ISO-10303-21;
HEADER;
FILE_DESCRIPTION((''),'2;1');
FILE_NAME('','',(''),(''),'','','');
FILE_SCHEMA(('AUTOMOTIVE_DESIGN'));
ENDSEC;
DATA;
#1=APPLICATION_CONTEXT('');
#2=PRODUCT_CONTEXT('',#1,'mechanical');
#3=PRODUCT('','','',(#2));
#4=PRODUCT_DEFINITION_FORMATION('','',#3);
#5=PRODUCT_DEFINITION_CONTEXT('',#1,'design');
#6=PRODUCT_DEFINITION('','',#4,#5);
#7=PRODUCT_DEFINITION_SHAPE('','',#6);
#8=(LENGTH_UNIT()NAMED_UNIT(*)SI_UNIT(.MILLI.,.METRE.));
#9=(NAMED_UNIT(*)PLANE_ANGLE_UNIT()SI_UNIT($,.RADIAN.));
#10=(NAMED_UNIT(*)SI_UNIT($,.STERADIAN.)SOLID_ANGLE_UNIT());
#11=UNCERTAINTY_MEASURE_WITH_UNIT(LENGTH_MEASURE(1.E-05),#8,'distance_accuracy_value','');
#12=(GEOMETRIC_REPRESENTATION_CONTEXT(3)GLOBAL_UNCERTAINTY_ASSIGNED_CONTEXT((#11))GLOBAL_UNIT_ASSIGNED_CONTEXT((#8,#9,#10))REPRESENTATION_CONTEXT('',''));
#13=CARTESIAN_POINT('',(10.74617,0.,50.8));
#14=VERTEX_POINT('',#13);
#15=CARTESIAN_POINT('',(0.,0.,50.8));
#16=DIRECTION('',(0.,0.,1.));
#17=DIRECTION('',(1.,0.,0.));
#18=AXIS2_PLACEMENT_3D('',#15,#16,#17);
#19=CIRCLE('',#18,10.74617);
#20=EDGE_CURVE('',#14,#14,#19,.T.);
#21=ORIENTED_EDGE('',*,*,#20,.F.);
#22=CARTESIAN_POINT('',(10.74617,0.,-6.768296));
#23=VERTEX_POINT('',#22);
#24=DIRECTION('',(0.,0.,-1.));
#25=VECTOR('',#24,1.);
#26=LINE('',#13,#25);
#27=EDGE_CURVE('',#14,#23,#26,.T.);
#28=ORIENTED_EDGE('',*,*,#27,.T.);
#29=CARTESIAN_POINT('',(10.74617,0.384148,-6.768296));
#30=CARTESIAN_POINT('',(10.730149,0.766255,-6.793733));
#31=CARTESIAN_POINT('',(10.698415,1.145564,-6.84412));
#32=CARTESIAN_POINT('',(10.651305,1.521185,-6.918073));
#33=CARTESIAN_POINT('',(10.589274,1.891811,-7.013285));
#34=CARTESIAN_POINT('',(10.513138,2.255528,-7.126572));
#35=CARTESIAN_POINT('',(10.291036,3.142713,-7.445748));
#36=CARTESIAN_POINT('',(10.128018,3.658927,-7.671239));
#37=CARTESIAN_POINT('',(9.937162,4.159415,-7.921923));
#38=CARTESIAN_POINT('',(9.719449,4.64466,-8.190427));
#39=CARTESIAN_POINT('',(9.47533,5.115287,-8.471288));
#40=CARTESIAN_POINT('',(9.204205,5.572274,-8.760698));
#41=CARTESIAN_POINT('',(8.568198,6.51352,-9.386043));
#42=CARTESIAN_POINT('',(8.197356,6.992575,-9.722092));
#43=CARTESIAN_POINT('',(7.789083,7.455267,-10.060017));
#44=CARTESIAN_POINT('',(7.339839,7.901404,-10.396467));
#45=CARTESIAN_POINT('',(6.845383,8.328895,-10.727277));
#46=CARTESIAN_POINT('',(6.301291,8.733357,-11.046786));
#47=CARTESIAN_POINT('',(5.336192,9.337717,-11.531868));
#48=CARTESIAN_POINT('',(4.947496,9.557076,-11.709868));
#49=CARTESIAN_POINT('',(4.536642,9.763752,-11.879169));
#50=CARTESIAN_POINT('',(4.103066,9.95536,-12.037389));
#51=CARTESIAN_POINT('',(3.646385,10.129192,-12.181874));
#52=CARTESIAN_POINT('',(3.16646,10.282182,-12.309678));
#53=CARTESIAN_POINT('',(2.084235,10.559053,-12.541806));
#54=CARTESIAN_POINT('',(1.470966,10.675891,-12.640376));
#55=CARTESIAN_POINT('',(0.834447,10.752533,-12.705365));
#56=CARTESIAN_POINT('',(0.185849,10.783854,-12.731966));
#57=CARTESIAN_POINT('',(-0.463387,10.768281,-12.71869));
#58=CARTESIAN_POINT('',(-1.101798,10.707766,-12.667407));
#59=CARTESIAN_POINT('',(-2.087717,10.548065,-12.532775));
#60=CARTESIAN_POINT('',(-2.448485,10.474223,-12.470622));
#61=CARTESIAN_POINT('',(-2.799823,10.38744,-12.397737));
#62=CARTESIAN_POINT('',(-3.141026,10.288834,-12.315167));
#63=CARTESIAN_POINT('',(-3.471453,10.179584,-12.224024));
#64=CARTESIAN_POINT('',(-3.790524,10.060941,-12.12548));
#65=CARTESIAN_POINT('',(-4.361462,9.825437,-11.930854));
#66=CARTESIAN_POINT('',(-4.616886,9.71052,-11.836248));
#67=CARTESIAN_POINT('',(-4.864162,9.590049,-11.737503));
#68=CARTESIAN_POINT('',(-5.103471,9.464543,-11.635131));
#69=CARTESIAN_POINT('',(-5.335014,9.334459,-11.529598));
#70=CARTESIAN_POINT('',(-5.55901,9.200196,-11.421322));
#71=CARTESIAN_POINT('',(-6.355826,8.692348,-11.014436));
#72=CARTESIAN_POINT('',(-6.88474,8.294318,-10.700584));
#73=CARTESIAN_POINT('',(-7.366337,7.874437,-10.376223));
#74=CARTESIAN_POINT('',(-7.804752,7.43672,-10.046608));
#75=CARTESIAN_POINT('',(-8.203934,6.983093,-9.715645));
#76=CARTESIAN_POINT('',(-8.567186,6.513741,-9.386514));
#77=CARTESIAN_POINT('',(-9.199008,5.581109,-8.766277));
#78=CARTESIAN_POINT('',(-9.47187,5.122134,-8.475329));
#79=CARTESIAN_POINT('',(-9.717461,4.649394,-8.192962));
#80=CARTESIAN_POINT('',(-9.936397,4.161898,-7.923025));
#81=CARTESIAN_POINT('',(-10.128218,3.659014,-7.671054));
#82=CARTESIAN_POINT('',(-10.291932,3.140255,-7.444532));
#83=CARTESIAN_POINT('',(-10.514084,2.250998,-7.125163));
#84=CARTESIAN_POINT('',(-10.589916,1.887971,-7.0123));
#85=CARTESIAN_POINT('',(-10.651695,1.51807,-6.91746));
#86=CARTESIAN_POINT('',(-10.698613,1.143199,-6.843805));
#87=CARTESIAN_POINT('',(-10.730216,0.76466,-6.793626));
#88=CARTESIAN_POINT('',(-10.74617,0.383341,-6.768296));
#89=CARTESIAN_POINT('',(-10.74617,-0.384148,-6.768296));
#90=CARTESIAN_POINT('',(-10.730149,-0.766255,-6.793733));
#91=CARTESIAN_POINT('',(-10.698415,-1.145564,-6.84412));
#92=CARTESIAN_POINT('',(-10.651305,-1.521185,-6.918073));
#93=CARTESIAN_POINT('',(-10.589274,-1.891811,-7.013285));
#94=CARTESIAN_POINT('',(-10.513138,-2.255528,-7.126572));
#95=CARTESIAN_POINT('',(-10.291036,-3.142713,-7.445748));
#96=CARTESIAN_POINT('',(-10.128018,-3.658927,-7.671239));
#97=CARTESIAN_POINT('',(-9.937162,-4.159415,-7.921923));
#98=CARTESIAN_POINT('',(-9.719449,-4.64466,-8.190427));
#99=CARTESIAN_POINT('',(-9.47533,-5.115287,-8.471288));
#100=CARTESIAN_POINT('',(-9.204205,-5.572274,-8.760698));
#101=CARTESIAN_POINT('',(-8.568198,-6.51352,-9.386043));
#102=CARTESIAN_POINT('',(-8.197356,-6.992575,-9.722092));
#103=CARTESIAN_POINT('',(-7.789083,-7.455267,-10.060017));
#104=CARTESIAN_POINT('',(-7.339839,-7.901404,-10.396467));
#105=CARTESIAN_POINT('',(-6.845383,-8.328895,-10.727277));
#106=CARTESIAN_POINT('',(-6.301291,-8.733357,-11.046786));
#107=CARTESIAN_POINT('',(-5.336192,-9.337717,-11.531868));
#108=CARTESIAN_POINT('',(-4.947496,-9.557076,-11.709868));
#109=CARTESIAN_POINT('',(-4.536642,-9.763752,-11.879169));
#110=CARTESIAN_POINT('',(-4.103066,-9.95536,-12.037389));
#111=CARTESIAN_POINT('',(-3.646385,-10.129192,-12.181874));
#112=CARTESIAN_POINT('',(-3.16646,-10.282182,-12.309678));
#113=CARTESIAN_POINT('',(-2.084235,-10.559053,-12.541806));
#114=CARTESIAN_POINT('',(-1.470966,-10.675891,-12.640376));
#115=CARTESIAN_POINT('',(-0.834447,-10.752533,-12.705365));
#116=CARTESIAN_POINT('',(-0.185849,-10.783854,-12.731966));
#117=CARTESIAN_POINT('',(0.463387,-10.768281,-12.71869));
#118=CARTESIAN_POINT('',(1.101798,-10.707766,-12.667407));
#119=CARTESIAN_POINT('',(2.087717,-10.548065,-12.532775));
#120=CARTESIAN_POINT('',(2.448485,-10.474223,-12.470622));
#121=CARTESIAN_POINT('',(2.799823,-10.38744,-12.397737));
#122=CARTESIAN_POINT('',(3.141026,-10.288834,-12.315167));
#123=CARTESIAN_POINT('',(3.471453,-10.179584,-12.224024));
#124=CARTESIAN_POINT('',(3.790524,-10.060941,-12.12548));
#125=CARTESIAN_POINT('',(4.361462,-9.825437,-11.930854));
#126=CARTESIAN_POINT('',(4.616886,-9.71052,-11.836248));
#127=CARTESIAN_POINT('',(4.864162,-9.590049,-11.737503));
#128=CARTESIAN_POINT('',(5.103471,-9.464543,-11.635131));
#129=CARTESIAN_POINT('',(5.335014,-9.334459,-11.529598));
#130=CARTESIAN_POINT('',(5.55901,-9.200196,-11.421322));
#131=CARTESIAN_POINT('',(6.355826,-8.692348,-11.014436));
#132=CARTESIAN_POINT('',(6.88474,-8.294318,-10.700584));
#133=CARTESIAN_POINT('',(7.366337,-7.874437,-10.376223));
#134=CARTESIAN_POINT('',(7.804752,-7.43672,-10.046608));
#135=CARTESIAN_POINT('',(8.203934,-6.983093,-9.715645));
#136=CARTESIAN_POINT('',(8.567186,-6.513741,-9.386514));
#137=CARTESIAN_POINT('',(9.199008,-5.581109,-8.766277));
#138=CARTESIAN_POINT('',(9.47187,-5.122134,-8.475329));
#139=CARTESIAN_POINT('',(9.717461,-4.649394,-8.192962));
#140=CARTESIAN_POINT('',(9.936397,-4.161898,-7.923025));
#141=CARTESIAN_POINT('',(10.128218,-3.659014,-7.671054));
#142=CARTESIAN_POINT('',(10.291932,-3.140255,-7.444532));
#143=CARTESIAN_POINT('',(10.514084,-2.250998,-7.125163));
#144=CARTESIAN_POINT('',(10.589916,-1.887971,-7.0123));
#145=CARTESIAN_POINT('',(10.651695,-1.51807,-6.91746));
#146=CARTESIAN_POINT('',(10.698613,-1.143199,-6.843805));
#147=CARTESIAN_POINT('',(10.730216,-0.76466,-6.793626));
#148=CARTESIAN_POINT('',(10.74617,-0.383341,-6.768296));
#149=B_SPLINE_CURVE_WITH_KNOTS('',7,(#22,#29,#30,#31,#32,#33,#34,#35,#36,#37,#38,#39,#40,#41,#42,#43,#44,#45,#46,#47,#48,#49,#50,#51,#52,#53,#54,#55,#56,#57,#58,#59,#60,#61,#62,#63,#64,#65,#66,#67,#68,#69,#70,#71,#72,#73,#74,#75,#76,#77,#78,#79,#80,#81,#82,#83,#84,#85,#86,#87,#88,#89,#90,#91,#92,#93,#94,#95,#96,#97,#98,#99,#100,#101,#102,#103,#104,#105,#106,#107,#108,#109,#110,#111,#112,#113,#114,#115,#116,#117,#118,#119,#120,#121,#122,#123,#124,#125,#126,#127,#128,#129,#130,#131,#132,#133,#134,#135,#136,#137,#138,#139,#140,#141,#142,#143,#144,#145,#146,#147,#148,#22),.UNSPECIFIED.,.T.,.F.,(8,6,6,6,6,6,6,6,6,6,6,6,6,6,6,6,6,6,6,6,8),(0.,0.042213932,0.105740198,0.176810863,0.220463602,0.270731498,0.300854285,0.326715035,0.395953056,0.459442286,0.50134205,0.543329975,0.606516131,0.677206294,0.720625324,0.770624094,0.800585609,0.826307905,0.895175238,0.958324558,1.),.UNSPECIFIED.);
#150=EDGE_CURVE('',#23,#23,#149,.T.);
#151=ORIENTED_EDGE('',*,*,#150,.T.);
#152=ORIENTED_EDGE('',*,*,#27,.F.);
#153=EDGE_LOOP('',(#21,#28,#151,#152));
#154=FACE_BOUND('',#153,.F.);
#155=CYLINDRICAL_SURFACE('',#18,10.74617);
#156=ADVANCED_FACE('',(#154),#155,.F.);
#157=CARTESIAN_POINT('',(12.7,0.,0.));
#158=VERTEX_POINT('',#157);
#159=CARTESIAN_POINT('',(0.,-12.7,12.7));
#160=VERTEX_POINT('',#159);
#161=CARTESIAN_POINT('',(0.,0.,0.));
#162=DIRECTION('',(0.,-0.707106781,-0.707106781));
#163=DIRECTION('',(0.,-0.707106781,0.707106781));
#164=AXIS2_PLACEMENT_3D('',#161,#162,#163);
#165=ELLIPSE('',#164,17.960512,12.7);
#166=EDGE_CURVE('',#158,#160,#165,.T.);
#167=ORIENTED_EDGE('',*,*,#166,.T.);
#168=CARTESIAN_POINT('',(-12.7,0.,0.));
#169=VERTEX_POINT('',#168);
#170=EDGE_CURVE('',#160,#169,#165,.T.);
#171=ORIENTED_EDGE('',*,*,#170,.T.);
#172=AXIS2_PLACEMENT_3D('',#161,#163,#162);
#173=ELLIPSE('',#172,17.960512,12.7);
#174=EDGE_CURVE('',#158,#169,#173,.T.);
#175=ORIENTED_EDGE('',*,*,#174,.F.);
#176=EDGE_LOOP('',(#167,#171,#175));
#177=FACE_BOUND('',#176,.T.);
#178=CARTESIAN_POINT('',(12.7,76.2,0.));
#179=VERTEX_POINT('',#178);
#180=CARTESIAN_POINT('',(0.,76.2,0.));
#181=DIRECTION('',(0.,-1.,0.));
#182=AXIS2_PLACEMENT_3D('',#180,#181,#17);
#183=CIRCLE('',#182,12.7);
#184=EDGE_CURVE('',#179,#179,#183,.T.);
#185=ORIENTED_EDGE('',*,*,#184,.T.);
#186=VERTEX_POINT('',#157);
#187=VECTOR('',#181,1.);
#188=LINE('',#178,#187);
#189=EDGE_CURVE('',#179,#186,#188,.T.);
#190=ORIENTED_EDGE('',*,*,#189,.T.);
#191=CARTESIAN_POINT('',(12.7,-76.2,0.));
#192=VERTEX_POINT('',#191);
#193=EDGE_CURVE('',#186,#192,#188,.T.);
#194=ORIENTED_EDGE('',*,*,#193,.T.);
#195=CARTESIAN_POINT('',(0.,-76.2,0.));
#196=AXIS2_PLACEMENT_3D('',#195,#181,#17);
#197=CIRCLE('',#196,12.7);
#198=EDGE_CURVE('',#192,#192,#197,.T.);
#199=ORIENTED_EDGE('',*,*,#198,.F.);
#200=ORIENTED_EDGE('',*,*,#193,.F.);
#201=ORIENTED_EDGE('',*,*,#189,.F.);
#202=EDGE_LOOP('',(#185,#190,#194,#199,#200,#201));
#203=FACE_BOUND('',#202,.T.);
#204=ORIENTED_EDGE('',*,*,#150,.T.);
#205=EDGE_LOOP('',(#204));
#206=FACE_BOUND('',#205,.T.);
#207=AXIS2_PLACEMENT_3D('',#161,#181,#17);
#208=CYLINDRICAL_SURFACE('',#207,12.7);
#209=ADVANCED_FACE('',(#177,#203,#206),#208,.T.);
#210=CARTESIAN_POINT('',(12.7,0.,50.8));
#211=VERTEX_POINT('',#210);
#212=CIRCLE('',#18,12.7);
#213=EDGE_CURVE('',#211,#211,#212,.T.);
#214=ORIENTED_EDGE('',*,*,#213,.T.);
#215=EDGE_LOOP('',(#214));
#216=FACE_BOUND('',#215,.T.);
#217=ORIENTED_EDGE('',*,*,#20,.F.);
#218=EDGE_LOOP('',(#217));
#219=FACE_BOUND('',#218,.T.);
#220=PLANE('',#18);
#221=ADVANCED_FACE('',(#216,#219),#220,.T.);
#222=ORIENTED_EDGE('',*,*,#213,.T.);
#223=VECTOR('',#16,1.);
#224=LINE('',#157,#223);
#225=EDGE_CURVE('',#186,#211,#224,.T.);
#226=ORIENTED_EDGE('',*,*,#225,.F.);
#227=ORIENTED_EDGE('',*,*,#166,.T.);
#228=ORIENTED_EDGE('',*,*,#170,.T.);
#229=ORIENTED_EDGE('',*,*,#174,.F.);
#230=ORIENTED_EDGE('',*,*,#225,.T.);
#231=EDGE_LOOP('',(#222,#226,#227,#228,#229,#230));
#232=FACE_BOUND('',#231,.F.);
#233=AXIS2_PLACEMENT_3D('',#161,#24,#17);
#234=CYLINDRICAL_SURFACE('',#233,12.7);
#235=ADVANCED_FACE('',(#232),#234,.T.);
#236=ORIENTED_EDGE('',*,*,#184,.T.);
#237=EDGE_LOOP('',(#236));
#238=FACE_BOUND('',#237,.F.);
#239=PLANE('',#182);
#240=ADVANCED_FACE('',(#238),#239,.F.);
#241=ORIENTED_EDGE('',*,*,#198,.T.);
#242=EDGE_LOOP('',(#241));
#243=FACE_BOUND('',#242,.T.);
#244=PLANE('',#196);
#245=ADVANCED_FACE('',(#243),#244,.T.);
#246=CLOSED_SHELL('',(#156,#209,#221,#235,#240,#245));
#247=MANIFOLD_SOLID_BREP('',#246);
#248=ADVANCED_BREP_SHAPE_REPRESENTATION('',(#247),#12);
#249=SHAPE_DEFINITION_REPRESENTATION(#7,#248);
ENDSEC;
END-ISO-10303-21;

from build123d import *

# Parameters (mm, degrees)
F0_R     = 12.7
F1_DEPTH = 76.2
F2_R     = 12.7
F3_DEPTH = 50.8
F4_R     = 10.74617
F5_DEPTH = 63.501


with BuildPart() as f1:
    # F0 (on Front) → F1 (new body, symmetric)
    with BuildSketch(Plane.XZ):
        Circle(F0_R)
    extrude(amount=F1_DEPTH, both=True)

    # F2 (on Top) → F3 (join)
    with BuildSketch(Plane.XY):
        Circle(F2_R)
    extrude(amount=F3_DEPTH)

    # F4 (on face) → F5 (cut, through all)
    with BuildSketch(Plane.XY.offset(50.8)):
        Circle(F4_R)
    extrude(amount=-F5_DEPTH, mode=Mode.SUBTRACT)


solid = f1.part
